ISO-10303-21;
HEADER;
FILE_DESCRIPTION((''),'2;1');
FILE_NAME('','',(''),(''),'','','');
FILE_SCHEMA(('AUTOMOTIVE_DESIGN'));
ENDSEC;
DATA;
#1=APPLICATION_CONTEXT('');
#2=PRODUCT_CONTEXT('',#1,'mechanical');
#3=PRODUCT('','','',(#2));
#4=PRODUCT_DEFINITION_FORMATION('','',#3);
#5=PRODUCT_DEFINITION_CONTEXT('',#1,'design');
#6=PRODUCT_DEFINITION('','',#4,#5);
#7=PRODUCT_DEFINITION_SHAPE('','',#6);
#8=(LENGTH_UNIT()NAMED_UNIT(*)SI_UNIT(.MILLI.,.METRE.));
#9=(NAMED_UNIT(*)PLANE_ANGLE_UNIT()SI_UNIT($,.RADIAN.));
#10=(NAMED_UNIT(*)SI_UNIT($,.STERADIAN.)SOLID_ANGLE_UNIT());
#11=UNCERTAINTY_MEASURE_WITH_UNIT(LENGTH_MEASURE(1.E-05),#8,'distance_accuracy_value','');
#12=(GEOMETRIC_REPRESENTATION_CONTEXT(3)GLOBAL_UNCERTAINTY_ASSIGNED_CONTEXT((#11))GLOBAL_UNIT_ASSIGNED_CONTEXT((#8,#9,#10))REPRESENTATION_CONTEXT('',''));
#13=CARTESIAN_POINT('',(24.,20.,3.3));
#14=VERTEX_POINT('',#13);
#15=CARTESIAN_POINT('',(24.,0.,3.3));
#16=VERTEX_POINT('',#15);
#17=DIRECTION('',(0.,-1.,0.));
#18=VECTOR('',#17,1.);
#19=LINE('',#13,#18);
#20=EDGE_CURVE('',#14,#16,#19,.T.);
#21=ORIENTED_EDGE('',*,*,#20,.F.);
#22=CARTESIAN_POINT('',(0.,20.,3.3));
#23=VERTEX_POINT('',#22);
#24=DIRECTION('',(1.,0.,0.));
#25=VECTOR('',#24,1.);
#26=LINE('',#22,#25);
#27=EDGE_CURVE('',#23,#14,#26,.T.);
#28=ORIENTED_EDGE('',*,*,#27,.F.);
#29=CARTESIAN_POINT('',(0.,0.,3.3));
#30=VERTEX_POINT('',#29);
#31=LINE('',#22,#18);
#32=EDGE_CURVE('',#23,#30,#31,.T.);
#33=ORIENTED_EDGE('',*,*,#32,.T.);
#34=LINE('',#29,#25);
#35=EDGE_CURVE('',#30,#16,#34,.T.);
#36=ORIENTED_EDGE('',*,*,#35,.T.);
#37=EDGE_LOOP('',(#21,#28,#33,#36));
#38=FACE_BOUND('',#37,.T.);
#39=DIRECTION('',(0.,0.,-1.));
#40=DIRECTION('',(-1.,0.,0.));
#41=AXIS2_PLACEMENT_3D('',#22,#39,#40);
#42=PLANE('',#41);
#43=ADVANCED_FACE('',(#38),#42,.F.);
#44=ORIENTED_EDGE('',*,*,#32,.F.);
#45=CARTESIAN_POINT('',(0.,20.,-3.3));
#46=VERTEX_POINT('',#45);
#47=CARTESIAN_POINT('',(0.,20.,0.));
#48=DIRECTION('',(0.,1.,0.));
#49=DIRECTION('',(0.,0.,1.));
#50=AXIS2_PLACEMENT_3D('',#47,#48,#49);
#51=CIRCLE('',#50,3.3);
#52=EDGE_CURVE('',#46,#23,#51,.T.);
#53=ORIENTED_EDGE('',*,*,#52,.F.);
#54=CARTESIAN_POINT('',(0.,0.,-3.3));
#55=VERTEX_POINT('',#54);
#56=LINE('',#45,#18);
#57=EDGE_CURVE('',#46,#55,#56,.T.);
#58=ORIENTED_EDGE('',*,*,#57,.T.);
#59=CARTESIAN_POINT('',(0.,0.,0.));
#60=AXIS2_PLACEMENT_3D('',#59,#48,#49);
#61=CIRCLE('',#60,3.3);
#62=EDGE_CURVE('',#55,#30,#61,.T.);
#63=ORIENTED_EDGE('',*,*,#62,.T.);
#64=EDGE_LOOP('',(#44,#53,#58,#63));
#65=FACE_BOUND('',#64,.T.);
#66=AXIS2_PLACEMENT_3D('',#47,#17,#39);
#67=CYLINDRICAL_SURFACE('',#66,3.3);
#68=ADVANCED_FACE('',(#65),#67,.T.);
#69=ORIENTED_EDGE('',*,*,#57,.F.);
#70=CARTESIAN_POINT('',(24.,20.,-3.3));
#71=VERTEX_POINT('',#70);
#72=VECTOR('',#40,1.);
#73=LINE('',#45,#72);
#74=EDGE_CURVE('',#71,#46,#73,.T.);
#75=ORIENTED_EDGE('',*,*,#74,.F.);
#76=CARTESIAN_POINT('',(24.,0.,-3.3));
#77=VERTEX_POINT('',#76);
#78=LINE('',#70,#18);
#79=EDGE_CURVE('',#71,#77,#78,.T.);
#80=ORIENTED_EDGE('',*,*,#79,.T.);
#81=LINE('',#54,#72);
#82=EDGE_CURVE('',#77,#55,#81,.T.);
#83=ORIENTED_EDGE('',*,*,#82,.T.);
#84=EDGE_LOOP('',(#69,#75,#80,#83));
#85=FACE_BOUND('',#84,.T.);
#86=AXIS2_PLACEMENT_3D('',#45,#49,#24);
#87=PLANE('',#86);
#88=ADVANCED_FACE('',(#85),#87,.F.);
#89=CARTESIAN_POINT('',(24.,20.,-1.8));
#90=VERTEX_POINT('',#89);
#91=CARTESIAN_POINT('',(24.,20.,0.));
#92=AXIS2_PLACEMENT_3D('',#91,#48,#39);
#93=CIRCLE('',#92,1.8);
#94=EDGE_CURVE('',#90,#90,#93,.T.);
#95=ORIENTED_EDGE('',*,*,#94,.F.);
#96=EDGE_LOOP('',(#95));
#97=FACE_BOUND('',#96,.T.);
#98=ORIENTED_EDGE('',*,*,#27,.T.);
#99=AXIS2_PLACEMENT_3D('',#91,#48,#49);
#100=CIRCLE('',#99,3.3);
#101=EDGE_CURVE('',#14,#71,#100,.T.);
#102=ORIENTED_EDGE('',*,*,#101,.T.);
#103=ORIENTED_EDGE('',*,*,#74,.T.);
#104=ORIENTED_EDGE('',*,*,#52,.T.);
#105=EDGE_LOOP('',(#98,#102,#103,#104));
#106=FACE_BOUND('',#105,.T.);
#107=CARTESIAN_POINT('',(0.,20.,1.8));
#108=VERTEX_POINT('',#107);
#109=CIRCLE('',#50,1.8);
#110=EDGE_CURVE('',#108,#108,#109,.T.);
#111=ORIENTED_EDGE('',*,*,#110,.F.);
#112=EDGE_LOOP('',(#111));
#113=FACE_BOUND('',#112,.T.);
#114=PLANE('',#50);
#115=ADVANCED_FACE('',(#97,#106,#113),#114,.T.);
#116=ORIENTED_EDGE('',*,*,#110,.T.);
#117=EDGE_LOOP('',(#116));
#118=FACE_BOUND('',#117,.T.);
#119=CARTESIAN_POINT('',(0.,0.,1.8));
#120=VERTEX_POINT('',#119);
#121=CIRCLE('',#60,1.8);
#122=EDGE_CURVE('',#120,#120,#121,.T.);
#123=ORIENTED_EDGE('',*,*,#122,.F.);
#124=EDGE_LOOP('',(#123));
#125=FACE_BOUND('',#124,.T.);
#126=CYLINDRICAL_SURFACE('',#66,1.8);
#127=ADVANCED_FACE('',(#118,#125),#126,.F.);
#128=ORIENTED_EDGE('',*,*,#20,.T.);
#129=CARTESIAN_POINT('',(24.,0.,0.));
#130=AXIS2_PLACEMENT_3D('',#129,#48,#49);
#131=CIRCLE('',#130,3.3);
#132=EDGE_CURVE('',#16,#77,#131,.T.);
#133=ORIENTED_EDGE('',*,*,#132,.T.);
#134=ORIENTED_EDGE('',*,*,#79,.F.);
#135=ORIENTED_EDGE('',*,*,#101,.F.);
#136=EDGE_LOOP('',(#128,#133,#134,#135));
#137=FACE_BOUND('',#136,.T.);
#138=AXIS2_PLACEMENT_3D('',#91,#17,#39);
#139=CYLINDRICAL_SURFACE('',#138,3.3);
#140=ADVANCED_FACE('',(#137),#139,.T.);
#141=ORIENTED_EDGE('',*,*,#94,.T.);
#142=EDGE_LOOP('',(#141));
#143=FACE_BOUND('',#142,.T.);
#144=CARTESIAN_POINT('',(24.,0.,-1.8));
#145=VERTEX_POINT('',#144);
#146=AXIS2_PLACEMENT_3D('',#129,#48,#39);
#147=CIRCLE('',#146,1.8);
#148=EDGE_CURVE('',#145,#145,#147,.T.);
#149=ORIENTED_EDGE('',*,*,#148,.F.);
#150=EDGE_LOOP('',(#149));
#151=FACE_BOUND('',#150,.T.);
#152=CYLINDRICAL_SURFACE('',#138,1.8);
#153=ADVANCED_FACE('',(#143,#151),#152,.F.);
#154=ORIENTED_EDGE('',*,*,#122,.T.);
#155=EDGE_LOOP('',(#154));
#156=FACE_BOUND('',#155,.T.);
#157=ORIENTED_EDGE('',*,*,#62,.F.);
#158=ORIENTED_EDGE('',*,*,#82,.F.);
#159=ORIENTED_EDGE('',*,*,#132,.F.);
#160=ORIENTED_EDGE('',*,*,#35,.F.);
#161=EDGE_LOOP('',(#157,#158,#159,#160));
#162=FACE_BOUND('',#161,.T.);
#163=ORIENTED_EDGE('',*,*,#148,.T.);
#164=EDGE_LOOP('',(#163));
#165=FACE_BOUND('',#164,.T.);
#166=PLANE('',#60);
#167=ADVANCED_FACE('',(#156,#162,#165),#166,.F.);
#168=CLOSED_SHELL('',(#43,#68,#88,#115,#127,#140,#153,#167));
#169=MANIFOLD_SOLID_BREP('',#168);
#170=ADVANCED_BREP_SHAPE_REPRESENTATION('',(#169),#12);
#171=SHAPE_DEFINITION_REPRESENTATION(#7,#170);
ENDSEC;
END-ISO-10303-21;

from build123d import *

# Parameters (mm, degrees)
SKETCH1_R           = 1.8
BOSS_EXTRUDE1_DEPTH = 20


with BuildPart() as part:
    # Sketch1 → Boss-Extrude1 (new body)
    with BuildSketch(Plane(origin=(0, 0, 0), x_dir=(1, 0, 0), z_dir=(0, 1, 0))):
        with BuildLine():
            Line((0, 3.3), (24, 3.3))
            ThreePointArc((24, 3.3), (27.3, 0), (24, -3.3))
            Line((24, -3.3), (0, -3.3))
            ThreePointArc((0, -3.3), (-3.3, 0), (0, 3.3))
        make_face()
        with Locations(Location((0, 0, 0), (0, 0, 270))):
            Circle(SKETCH1_R, mode=Mode.SUBTRACT)
        with Locations(Location((24, 0, 0), (0, 0, 90))):
            Circle(SKETCH1_R, mode=Mode.SUBTRACT)
    extrude(amount=BOSS_EXTRUDE1_DEPTH)


solid = part.part
